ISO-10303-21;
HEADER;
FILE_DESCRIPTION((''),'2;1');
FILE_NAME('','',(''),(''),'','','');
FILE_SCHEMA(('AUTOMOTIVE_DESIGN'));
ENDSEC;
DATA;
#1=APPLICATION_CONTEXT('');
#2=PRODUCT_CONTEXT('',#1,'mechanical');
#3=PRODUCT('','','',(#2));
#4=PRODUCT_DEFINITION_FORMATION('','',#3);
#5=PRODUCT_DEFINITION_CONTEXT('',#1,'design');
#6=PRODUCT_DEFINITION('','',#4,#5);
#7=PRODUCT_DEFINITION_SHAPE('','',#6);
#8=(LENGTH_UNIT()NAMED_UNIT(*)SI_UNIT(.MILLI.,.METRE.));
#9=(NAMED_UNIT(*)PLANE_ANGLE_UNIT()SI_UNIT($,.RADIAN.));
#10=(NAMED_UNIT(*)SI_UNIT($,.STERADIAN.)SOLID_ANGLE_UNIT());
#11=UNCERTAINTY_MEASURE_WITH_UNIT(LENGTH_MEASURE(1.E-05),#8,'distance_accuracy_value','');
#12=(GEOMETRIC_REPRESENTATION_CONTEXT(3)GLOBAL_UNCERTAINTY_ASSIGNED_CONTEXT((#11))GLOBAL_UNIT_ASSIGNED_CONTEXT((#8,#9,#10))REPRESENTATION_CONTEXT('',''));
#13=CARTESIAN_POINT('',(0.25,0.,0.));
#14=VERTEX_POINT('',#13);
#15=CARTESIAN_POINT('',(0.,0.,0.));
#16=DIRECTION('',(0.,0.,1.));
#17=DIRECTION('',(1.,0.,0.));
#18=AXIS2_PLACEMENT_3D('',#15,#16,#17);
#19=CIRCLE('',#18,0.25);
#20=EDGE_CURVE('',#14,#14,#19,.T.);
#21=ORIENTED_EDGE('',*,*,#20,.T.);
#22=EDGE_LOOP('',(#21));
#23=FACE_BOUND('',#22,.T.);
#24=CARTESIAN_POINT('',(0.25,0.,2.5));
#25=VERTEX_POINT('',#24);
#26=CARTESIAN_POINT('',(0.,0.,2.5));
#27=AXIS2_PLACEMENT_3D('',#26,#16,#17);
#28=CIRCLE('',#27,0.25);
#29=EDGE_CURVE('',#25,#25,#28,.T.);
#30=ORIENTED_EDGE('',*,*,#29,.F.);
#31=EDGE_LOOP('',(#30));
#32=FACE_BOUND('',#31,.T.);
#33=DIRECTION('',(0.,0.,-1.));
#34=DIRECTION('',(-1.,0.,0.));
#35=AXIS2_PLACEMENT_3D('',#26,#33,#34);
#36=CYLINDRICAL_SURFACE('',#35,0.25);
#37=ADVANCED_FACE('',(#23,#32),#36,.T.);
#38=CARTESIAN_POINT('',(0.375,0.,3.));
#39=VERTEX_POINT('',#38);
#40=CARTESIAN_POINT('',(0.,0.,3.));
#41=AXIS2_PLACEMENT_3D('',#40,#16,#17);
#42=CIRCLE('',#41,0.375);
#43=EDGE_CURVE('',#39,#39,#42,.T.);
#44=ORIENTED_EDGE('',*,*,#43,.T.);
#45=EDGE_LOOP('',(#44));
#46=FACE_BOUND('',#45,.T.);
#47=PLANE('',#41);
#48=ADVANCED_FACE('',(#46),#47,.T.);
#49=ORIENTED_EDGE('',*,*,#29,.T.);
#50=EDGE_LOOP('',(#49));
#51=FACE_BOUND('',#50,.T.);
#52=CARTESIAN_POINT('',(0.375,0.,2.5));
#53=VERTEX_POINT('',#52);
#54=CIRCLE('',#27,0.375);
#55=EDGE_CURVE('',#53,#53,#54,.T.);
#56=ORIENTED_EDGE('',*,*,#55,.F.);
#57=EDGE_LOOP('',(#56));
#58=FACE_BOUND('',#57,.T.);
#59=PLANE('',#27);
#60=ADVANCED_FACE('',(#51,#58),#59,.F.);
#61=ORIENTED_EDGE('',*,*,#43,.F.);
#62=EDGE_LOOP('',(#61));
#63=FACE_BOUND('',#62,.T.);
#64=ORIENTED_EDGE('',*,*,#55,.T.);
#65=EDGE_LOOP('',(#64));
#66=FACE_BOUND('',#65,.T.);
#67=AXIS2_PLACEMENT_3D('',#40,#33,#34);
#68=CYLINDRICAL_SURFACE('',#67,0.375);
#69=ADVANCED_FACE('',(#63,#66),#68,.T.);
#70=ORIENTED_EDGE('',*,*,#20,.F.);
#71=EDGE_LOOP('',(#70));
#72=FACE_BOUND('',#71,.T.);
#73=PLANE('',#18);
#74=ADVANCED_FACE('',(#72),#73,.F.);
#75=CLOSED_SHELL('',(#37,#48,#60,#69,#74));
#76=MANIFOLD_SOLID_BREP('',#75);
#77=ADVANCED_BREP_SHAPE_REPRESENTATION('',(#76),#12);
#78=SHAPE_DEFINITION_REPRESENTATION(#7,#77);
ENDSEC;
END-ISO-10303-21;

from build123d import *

# Parameters (mm, degrees)
SKETCH1_R           = 0.25
BOSS_EXTRUDE1_DEPTH = 2.5
SKETCH2_R           = 0.375
BOSS_EXTRUDE2_DEPTH = 0.5


with BuildPart() as part:
    # Sketch1 → Boss-Extrude1 (new body)
    with BuildSketch(Plane.XY):
        Circle(SKETCH1_R)
    extrude(amount=BOSS_EXTRUDE1_DEPTH)

    # Sketch2 → Boss-Extrude2 (add)
    with BuildSketch(Plane.XY.offset(2.5)):
        Circle(SKETCH2_R)
    extrude(amount=BOSS_EXTRUDE2_DEPTH)


solid = part.part
